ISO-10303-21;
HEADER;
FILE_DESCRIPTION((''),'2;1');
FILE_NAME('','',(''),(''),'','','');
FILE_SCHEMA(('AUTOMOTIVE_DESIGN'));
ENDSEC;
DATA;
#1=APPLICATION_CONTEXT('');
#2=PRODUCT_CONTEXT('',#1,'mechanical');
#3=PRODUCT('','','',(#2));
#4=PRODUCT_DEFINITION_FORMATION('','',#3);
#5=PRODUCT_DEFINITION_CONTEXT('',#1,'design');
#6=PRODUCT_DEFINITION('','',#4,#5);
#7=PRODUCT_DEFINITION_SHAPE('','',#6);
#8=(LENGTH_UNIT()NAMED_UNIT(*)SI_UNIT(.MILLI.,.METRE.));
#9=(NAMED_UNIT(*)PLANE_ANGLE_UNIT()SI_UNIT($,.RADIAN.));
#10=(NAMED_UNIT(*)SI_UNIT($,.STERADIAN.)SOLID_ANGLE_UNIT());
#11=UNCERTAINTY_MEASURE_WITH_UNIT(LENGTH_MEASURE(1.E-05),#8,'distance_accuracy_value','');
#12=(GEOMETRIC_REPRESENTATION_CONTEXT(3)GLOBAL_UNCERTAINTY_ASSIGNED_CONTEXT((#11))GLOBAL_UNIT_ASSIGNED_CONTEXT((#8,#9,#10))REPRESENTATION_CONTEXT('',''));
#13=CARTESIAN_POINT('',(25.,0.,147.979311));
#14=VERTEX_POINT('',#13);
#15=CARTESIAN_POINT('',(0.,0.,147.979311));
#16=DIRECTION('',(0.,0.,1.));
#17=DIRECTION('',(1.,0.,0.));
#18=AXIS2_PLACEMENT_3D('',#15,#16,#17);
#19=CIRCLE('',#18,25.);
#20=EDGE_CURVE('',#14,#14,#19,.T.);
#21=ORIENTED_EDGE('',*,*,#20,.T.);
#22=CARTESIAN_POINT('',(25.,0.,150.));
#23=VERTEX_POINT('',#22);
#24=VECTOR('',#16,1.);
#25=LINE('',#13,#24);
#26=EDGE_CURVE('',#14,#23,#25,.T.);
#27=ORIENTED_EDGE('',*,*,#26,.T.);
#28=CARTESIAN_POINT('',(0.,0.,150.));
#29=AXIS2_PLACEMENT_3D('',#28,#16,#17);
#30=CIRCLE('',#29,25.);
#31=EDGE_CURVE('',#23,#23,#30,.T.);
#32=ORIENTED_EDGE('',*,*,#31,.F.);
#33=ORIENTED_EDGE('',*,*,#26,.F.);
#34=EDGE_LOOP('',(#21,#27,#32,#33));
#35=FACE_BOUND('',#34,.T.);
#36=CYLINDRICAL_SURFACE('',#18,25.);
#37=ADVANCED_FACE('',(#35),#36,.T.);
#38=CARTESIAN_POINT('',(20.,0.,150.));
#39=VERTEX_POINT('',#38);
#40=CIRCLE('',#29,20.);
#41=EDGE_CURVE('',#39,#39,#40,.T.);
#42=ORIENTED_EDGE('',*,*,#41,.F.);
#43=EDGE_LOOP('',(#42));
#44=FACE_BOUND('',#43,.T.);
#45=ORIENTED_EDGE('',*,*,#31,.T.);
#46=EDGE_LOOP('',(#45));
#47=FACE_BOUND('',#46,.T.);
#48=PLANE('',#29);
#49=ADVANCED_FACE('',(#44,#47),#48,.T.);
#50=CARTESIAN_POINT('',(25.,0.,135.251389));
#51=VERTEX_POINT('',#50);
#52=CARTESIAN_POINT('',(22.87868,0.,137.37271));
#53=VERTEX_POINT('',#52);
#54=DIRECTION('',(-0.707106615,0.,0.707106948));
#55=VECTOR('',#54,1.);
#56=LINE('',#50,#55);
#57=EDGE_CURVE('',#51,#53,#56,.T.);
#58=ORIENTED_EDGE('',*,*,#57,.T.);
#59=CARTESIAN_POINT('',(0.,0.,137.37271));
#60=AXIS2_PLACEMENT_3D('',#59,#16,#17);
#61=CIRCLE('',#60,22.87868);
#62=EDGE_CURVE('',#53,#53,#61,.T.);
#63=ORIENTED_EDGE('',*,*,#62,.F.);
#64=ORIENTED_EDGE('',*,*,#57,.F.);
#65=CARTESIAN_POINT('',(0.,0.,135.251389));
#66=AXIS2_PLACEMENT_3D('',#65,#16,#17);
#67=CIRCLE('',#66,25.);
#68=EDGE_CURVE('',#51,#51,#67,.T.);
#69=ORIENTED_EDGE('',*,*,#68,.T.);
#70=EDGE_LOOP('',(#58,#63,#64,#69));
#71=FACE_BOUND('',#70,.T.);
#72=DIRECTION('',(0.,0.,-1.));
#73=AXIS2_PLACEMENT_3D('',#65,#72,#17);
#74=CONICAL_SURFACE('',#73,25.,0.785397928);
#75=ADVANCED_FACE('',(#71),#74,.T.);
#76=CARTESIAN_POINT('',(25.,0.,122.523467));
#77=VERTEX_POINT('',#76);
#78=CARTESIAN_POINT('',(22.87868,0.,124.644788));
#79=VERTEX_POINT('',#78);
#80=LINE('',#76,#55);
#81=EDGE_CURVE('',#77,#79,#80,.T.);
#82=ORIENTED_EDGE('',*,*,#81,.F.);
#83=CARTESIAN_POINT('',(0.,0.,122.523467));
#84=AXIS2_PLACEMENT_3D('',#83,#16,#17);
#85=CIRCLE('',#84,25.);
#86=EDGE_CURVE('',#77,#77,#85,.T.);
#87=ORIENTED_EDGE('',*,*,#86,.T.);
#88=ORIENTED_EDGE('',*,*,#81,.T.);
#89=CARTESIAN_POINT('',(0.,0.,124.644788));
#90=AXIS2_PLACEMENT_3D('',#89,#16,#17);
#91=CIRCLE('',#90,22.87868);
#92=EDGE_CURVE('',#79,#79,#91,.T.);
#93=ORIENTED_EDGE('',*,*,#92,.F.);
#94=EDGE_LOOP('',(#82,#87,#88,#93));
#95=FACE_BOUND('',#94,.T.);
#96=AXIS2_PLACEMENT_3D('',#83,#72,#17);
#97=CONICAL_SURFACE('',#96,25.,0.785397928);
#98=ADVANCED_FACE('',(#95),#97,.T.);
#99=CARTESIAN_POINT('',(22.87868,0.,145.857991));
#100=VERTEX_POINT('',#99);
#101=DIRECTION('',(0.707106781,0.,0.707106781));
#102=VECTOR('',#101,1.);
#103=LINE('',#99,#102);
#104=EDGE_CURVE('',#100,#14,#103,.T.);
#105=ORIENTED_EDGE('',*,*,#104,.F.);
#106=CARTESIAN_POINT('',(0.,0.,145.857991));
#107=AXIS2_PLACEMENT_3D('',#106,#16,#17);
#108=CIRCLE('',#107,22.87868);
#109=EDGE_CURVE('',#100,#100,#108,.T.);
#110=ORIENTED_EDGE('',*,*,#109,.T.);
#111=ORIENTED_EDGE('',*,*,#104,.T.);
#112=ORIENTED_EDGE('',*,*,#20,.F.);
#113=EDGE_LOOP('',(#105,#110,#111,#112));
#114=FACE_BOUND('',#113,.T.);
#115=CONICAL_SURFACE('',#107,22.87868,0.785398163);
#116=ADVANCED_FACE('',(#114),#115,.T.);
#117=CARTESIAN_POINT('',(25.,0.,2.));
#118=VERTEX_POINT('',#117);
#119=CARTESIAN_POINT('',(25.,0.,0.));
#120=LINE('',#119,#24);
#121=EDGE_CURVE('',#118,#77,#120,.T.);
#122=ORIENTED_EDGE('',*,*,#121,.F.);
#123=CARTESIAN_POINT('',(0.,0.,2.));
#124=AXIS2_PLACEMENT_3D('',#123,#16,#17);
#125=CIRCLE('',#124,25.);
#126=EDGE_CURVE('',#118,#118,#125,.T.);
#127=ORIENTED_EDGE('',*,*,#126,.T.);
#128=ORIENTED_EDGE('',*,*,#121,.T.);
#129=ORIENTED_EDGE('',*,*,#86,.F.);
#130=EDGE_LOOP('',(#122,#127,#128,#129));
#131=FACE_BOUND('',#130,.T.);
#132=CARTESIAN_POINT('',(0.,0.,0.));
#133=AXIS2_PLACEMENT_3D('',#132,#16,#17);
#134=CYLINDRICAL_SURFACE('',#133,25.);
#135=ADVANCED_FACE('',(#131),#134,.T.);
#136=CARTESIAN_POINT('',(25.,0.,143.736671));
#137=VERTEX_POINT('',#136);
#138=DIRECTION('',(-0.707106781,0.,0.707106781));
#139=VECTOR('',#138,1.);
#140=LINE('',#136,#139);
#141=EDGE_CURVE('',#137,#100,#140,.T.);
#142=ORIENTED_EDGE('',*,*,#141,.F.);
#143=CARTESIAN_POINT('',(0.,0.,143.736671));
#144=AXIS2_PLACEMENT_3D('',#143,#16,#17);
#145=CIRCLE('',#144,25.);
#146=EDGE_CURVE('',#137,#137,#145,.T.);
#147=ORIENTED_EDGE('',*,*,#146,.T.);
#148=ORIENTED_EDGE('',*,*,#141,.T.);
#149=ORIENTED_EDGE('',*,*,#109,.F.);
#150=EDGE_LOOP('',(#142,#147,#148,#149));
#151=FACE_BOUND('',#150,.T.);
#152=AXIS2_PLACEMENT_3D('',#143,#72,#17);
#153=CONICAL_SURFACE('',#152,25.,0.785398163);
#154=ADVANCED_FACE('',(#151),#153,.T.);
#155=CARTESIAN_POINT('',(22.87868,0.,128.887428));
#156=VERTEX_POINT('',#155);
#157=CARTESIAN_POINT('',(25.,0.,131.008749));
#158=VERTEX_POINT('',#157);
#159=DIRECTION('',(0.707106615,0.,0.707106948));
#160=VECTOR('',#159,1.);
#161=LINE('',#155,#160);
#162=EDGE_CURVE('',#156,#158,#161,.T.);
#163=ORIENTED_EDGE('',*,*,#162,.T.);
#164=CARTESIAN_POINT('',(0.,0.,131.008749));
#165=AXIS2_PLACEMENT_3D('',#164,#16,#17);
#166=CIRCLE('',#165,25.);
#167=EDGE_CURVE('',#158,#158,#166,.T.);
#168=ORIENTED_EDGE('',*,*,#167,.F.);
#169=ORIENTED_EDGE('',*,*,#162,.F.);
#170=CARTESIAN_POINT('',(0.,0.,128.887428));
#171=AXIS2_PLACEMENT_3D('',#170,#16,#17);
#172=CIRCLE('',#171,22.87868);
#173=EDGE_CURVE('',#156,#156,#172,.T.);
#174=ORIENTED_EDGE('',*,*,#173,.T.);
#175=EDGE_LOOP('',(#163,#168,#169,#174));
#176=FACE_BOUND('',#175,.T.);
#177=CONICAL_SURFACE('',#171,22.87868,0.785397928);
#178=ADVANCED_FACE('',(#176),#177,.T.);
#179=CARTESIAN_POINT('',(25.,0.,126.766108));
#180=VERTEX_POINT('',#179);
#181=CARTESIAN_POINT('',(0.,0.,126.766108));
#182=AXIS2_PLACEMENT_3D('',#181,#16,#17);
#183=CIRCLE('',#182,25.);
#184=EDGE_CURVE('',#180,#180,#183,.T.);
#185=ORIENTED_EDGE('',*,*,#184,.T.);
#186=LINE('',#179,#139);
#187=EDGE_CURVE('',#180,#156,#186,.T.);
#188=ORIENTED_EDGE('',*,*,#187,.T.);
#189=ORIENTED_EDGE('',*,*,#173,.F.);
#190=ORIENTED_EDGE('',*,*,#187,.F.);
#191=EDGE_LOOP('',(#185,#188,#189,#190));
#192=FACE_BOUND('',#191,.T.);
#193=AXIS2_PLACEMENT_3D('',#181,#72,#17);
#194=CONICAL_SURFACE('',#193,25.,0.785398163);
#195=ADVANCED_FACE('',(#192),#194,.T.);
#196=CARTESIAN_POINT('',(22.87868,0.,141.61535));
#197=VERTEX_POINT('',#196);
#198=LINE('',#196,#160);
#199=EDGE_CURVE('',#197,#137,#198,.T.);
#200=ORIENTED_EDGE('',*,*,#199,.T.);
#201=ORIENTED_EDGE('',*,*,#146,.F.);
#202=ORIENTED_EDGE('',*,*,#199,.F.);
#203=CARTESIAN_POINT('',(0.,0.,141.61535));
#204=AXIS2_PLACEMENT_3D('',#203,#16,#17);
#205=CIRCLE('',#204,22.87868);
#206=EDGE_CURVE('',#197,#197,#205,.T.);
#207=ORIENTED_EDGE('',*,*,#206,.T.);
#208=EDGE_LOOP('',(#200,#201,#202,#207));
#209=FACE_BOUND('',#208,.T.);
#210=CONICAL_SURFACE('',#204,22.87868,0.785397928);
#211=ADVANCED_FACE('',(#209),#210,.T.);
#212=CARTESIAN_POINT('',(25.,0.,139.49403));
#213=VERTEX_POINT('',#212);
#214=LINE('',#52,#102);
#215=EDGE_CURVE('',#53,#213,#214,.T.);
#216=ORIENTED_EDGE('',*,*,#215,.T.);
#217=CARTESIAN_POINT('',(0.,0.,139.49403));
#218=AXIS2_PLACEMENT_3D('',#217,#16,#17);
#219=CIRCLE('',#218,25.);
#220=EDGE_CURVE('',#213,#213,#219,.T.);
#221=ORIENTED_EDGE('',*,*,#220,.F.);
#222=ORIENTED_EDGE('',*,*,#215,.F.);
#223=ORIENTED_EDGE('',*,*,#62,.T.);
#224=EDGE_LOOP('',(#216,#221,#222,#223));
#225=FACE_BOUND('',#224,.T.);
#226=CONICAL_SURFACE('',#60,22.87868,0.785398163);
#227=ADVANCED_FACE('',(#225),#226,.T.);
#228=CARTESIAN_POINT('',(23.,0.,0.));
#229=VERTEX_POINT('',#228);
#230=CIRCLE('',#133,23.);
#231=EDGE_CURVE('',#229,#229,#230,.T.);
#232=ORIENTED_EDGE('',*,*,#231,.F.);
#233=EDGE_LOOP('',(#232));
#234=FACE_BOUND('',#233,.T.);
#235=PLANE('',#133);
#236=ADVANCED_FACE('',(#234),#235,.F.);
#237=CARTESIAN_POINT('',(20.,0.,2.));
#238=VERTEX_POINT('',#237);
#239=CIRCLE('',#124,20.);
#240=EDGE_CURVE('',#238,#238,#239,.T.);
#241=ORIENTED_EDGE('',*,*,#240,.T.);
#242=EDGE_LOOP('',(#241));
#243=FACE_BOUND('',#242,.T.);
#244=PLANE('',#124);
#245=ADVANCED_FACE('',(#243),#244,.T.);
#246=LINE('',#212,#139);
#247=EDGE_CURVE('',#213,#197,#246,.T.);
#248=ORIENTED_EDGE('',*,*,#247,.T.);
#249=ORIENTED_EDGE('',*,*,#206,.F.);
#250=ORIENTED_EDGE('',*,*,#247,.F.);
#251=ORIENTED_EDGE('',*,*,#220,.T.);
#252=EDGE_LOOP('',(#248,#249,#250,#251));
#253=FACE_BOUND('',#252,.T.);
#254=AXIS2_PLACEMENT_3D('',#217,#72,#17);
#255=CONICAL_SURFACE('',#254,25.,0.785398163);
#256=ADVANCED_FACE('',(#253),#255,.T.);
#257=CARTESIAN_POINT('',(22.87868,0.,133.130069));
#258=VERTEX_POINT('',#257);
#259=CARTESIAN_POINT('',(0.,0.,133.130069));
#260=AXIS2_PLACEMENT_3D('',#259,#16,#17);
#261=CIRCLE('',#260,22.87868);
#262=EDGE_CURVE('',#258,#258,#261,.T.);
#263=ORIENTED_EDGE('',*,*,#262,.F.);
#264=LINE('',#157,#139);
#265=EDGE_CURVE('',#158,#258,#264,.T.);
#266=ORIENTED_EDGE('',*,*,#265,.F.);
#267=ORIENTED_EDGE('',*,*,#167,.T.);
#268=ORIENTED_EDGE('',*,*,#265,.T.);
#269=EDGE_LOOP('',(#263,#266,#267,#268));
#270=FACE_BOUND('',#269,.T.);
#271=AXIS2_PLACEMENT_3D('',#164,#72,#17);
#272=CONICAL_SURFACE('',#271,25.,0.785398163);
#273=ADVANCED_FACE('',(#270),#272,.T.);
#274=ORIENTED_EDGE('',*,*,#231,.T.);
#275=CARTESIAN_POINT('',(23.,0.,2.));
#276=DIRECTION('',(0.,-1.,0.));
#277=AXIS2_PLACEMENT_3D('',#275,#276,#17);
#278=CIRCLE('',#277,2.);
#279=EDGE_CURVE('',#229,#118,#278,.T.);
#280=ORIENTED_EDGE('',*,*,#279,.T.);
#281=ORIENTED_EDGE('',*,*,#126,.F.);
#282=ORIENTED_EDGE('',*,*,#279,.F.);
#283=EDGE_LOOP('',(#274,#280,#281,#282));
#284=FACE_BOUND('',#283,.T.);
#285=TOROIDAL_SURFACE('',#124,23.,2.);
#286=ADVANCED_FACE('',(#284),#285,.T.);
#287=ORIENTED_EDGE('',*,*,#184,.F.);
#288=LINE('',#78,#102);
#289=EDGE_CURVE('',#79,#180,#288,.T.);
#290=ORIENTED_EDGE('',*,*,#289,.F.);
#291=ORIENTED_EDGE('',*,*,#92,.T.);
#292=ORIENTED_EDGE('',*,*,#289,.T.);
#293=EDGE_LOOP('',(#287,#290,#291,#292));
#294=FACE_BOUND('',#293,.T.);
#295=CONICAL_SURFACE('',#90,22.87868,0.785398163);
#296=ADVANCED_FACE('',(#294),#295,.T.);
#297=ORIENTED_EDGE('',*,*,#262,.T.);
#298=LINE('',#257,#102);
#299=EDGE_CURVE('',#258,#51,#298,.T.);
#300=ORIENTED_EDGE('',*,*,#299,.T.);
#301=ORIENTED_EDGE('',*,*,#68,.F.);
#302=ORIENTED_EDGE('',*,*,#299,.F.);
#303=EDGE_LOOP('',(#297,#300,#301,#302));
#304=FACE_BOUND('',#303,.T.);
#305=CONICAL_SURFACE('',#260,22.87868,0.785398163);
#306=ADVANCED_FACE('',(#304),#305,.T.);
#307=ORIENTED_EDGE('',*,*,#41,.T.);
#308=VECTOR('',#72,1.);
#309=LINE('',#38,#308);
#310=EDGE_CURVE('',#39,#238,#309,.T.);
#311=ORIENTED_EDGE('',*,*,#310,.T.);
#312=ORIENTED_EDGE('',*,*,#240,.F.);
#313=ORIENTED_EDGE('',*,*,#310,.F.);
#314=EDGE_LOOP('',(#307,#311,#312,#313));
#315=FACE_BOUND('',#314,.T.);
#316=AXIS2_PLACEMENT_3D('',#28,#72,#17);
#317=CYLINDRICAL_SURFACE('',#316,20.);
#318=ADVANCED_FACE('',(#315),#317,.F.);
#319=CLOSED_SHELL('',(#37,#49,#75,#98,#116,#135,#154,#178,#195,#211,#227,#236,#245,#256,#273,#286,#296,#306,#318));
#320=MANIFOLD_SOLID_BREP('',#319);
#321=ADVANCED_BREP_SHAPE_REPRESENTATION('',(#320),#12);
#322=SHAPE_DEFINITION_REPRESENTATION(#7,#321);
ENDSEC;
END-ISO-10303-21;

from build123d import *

# Parameters (mm, degrees)
F2_R = 2


with BuildPart() as f1:
    # F0 (on Front) → F1 (revolve)
    with BuildSketch(Plane.XZ):
        Polygon((0, 2), (0, 0), (25, 0), (25, 122.523467), (22.87868, 124.644788), (25, 126.766108), (22.87868, 128.887428), (25, 131.008749), (22.87868, 133.130069), (25, 135.251389), (22.87868, 137.37271), (25, 139.49403), (22.87868, 141.61535), (25, 143.736671), (22.87868, 145.857991), (25, 147.979311), (25, 150), (20, 150), (20, 2), align=None)
    revolve(axis=Axis((0, 0, 123.522466), (0, 0, 1)))

    # F2
    f2_edges = [f1.edges().sort_by_distance(p)[0] for p in [
        (-25, 0, 0),
    ]]
    fillet(f2_edges, radius=F2_R)


solid = f1.part
